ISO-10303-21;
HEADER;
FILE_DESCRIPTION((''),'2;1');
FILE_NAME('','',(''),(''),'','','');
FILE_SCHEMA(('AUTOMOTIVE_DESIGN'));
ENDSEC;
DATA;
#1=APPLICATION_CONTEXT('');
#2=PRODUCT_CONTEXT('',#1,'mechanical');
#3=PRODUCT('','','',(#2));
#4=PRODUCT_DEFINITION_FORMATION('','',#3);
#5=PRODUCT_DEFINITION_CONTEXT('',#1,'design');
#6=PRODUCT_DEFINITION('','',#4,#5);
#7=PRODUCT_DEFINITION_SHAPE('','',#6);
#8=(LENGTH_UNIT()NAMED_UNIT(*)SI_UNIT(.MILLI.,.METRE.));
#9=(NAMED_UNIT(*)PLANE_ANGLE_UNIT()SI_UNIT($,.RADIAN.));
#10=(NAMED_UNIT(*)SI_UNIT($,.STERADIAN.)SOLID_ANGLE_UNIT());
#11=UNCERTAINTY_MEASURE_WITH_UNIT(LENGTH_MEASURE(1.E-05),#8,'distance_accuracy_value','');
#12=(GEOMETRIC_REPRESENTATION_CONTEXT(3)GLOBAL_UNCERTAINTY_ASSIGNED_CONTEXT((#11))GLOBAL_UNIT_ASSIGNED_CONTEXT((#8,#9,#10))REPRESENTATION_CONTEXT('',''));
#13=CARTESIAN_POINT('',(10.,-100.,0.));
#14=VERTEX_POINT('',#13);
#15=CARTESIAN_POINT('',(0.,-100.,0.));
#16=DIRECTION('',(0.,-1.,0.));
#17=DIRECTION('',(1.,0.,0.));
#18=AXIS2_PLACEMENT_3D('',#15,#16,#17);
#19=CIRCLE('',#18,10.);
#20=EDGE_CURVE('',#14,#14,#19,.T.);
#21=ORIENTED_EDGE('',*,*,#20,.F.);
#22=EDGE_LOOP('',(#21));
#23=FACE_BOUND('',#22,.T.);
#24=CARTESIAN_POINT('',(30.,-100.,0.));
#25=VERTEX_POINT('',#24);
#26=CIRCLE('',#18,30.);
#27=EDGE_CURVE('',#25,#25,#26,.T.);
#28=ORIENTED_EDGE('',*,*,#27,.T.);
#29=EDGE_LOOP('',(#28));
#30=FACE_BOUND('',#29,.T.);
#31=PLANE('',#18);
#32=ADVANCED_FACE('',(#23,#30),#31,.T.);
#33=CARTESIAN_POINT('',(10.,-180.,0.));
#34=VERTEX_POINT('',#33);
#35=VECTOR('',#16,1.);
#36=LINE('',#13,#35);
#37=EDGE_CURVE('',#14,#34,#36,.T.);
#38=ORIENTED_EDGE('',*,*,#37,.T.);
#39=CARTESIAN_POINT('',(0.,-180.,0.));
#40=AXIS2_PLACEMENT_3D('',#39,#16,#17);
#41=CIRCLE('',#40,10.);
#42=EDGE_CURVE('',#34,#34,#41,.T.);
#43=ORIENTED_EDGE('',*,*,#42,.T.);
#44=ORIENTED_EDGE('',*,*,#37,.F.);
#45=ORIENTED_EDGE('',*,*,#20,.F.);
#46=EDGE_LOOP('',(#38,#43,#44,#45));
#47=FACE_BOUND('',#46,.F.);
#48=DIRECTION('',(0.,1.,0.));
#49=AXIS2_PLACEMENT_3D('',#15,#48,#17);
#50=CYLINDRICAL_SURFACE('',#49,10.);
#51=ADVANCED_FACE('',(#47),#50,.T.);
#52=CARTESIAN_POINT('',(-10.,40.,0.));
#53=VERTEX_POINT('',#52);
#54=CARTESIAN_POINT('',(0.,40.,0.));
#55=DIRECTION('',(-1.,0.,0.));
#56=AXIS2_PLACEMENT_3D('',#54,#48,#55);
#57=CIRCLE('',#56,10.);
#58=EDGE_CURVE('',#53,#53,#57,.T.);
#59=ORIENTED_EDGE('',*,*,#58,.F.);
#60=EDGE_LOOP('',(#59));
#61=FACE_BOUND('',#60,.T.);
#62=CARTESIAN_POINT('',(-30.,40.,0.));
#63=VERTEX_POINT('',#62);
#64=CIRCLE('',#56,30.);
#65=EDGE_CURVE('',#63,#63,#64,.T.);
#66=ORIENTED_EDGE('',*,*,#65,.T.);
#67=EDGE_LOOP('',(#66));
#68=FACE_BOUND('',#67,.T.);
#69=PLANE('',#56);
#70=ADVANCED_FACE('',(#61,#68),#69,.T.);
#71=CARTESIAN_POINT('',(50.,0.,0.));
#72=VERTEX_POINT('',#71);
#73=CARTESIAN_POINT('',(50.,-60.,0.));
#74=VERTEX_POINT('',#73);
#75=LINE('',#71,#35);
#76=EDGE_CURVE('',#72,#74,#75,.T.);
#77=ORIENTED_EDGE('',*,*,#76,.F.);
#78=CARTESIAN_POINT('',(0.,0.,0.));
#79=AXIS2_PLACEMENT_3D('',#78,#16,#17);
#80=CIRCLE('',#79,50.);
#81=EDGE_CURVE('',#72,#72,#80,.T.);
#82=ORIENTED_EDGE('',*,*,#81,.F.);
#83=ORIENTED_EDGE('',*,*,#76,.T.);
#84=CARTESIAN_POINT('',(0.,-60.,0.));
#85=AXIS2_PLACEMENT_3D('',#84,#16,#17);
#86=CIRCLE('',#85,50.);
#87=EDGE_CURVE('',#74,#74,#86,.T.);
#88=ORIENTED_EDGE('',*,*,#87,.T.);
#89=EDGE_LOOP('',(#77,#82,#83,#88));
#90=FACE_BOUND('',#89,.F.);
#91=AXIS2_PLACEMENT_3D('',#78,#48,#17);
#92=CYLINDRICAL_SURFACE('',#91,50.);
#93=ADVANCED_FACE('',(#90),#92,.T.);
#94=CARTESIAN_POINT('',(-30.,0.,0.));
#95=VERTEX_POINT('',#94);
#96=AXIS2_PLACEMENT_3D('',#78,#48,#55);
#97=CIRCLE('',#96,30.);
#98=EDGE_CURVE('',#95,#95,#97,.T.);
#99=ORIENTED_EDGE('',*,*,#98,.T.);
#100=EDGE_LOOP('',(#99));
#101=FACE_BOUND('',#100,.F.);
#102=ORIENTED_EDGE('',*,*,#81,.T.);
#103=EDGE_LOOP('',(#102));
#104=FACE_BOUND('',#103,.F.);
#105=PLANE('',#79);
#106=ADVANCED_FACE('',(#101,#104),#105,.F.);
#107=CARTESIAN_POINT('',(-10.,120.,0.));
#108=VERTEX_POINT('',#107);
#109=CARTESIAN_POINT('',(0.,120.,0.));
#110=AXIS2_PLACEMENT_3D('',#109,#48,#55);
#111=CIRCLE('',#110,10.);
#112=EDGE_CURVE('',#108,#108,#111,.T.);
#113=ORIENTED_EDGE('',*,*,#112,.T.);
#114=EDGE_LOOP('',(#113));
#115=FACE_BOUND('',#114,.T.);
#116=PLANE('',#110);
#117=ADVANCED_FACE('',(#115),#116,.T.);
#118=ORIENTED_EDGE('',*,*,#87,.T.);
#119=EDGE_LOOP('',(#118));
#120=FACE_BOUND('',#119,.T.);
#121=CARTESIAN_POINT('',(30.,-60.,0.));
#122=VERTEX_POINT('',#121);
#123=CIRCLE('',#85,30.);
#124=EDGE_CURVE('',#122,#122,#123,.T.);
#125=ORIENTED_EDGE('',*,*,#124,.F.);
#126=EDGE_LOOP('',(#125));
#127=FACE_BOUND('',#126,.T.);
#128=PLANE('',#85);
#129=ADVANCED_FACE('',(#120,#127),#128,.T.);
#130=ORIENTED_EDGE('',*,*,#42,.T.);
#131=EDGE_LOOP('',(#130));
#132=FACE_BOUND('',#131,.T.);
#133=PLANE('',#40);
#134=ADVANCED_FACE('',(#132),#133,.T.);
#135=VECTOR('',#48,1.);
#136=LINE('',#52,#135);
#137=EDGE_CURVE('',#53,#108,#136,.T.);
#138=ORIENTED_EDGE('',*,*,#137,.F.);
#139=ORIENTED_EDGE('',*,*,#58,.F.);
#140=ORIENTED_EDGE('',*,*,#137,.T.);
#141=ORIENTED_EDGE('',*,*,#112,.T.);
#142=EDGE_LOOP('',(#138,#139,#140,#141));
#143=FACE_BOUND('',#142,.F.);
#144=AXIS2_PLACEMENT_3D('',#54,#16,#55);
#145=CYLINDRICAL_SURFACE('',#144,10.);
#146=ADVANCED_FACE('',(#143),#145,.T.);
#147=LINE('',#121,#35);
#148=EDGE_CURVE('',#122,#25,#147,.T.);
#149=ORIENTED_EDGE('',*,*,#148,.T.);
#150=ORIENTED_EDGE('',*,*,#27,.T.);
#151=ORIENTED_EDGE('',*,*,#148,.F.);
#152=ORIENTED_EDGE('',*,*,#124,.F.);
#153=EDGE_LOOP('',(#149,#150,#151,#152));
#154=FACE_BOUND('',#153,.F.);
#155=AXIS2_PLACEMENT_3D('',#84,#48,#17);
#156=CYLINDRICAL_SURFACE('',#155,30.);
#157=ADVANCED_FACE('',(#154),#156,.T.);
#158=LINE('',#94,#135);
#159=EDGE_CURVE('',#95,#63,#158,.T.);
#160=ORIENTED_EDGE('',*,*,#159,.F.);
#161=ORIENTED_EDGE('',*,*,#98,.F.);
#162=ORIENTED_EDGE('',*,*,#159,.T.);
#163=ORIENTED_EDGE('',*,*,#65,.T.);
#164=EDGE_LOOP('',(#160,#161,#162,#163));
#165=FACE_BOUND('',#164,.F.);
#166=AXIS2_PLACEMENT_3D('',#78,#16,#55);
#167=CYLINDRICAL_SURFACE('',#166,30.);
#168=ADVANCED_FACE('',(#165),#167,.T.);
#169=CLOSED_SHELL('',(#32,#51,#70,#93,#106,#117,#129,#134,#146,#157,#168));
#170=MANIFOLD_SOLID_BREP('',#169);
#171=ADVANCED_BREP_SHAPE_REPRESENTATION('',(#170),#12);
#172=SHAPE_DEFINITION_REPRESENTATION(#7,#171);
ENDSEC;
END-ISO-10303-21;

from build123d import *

# Parameters (mm, degrees)
F0_R     = 50
F1_DEPTH = 60
F2_R     = 30
F3_DEPTH = 40
F4_R     = 10
F5_DEPTH = 80
F6_R     = 30
F7_DEPTH = 40
F8_R     = 10
F9_DEPTH = 80


with BuildPart() as f1:
    # F0 (on Front) → F1 (new body)
    with BuildSketch(Plane.XZ):
        Circle(F0_R)
    extrude(amount=F1_DEPTH)

    # F2 (on face) → F3 (join)
    with BuildSketch(Plane.XZ.offset(60)):
        Circle(F2_R)
    extrude(amount=F3_DEPTH)

    # F4 (on face) → F5 (join)
    with BuildSketch(Plane.XZ.offset(100)):
        Circle(F4_R)
    extrude(amount=F5_DEPTH)

    # F6 (on face) → F7 (join)
    with BuildSketch(Plane(origin=(0, 0, 0), x_dir=(-1, 0, 0), z_dir=(0, 1, 0))):
        Circle(F6_R)
    extrude(amount=F7_DEPTH)

    # F8 (on face) → F9 (join)
    with BuildSketch(Plane(origin=(0, 40, 0), x_dir=(-1, 0, 0), z_dir=(0, 1, 0))):
        Circle(F8_R)
    extrude(amount=F9_DEPTH)


solid = f1.part
